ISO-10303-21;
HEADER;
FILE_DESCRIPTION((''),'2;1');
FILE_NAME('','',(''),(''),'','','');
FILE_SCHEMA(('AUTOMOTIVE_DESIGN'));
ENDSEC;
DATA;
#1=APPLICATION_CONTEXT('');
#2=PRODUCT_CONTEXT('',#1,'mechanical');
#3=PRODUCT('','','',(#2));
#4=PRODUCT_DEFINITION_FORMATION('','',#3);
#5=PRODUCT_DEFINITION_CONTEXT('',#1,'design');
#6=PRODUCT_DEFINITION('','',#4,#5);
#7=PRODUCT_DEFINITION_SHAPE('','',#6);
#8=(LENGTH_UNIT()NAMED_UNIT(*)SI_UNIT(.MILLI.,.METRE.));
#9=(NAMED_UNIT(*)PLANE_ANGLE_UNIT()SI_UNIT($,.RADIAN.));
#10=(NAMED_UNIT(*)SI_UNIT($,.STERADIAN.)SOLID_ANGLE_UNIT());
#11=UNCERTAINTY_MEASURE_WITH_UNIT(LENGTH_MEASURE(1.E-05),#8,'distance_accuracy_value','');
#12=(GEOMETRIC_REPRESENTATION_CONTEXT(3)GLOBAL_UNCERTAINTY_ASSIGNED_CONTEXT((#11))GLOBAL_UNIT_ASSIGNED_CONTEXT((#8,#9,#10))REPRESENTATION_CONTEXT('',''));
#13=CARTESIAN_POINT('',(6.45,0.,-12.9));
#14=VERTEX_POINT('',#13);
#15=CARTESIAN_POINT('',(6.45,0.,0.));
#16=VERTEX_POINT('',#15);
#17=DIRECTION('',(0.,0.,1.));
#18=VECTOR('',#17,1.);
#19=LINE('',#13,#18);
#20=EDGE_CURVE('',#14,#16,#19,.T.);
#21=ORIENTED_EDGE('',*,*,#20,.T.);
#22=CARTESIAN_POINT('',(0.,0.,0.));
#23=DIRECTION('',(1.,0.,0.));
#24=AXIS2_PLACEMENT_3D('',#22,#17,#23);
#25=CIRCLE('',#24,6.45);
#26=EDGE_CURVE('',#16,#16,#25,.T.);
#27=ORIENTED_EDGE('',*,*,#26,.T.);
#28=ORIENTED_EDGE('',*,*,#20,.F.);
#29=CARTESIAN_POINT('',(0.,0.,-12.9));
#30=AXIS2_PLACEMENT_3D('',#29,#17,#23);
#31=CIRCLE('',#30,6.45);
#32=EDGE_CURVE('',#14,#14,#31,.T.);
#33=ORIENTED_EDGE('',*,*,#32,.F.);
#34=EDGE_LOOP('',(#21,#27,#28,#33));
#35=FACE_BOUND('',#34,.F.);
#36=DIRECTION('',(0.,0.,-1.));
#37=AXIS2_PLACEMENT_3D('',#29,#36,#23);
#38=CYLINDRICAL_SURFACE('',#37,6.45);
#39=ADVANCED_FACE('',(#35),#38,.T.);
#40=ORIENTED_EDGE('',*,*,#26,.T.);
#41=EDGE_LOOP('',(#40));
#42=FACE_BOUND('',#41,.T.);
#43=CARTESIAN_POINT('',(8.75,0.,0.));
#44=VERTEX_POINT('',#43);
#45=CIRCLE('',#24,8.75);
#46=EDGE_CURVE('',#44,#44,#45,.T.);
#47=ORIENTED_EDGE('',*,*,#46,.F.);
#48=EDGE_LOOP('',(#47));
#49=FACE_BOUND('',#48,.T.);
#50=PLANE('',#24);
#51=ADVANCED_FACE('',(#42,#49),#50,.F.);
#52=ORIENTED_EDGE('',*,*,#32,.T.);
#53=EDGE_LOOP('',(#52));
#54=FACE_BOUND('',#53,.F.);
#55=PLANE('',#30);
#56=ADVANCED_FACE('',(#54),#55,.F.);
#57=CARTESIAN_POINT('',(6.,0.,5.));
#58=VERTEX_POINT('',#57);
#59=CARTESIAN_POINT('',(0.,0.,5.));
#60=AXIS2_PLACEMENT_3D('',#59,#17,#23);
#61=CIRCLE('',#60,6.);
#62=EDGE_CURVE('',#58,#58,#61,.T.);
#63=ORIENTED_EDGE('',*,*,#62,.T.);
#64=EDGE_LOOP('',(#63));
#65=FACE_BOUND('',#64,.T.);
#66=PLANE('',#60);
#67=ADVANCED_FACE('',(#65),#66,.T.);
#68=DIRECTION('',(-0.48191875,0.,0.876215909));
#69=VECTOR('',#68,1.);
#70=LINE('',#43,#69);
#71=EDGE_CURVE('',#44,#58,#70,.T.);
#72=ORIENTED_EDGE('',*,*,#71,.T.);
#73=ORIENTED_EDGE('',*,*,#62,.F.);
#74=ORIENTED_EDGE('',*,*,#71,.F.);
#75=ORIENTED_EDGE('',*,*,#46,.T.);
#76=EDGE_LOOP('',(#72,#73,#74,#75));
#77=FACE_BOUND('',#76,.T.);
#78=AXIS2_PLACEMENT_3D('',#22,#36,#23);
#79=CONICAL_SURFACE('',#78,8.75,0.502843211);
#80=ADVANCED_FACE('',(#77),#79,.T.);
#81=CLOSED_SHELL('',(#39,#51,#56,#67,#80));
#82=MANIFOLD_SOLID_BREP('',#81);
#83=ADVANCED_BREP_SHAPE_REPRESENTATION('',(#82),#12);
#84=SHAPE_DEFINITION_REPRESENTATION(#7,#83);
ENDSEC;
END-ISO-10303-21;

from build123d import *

# Parameters (mm, degrees)
CYLINDER_R     = 6.45
CYLINDER_DEPTH = 12.9


with BuildPart() as cone:
    # Cone → Cone (revolve)
    with BuildSketch(Plane.XZ):
        Polygon((0, 0), (8.75, 0), (6, 5), (0, 5), align=None)
    revolve(axis=Axis((0, 0, 0), (0, 0, 1)))


with BuildPart() as fusion:
    # Cylinder → Cylinder (new body)
    with BuildSketch(Plane.XY.offset(-12.9)):
        Circle(CYLINDER_R)
    extrude(amount=CYLINDER_DEPTH)

    # Fusion: union Cone
    add(cone.part)


solid = fusion.part
